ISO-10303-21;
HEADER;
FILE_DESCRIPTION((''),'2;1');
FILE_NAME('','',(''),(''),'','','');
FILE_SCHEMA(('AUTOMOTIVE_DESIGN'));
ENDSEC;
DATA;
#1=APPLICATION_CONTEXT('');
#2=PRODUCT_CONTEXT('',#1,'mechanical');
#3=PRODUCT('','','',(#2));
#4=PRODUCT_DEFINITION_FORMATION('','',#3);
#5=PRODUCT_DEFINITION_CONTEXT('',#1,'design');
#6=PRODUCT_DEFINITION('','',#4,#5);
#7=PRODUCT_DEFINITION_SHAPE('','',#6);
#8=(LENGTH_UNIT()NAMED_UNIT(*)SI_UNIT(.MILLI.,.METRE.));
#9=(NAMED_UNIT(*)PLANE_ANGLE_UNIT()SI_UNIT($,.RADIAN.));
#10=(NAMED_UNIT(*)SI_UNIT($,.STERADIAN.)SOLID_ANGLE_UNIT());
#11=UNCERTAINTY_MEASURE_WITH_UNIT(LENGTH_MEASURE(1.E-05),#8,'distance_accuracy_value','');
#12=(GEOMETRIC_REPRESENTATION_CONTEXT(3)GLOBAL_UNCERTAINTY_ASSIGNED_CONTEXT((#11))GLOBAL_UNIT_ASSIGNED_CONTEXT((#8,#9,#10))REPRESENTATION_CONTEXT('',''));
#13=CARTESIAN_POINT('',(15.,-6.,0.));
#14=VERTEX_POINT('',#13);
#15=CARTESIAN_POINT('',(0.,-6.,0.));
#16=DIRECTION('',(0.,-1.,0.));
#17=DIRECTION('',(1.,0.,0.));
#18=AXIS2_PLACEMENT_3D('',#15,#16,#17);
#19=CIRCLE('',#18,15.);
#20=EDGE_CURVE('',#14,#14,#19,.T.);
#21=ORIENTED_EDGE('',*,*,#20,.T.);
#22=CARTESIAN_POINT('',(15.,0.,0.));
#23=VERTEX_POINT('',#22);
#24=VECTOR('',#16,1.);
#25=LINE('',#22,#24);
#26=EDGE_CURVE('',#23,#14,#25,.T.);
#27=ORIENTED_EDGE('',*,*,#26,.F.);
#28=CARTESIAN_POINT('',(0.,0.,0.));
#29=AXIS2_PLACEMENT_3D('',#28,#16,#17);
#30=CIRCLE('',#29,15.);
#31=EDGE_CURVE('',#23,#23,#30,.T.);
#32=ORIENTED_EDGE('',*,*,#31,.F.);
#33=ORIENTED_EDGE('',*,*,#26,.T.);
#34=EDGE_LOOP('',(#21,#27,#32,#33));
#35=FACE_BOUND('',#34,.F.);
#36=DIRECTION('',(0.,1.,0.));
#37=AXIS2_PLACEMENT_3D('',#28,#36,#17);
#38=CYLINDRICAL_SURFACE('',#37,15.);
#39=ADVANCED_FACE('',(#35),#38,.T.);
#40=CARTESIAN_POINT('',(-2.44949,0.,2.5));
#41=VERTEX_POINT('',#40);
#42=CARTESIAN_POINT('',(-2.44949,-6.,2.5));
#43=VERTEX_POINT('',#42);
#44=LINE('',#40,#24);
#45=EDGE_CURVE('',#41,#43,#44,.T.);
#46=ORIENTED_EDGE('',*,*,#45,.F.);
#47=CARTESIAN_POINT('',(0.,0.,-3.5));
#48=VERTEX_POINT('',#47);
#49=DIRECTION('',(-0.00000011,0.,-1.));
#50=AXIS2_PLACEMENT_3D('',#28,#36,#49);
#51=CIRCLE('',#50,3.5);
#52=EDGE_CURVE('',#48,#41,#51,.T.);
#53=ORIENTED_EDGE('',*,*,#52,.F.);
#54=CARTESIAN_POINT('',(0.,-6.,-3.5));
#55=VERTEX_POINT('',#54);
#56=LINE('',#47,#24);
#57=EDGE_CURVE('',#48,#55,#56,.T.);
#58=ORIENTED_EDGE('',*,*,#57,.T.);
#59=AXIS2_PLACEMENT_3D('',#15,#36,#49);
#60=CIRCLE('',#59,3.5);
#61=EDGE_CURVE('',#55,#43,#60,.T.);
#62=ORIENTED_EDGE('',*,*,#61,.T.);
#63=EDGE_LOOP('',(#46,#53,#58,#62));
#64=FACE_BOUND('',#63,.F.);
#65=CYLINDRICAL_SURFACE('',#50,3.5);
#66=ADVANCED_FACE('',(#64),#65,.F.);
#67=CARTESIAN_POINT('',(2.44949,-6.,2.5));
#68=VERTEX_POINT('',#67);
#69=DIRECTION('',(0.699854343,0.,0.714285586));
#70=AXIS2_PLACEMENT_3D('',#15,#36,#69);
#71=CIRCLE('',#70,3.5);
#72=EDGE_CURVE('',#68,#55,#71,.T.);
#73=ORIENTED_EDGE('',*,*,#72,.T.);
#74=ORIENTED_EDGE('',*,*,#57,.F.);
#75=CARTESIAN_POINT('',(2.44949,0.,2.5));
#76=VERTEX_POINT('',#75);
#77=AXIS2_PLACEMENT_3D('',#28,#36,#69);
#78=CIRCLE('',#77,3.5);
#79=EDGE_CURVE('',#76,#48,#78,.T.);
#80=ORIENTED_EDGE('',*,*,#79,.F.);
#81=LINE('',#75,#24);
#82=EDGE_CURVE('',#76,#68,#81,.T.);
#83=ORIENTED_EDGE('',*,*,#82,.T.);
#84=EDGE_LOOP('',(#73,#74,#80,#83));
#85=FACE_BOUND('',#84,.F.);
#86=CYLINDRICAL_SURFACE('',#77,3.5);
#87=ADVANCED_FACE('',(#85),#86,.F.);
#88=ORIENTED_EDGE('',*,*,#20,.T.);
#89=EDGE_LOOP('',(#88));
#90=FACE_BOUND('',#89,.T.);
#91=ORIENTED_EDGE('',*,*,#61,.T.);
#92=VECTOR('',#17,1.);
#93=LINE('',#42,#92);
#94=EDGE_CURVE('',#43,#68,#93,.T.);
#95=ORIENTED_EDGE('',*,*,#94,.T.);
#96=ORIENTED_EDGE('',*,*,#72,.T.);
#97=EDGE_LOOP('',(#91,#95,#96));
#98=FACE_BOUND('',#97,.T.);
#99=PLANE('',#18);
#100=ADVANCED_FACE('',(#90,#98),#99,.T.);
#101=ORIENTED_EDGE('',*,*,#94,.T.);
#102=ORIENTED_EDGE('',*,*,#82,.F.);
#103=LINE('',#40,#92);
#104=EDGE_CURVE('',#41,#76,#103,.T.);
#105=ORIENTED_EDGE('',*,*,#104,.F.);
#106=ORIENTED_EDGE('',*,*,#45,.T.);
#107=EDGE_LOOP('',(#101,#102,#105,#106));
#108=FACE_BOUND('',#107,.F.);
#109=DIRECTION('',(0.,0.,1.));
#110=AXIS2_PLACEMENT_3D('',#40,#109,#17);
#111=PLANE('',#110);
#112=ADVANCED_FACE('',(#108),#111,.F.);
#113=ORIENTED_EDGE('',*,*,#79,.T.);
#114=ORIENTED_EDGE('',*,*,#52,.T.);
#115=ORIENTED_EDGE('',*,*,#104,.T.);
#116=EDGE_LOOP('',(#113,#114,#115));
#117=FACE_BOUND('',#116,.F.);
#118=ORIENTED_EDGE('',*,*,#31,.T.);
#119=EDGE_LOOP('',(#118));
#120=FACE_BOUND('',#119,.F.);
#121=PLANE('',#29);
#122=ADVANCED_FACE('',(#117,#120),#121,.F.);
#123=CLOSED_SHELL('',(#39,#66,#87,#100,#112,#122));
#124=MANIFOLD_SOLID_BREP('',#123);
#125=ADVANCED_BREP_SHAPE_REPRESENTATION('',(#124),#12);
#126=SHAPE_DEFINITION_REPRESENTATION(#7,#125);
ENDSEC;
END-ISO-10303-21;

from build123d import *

# Parameters (mm, degrees)
F0_R     = 15
F1_DEPTH = 6


with BuildPart() as f1:
    # F0 (on Front) → F1 (new body)
    with BuildSketch(Plane.XZ):
        Circle(F0_R)
        with BuildLine():
            ThreePointArc((0, -3.5), (-3.24037, -1.322876), (-2.44949, 2.5))
            Line((-2.44949, 2.5), (0, 2.5))
            Line((0, 2.5), (2.44949, 2.5))
            ThreePointArc((2.44949, 2.5), (3.24037, -1.322876), (0, -3.5))
        make_face(mode=Mode.SUBTRACT)
    extrude(amount=F1_DEPTH)


solid = f1.part
